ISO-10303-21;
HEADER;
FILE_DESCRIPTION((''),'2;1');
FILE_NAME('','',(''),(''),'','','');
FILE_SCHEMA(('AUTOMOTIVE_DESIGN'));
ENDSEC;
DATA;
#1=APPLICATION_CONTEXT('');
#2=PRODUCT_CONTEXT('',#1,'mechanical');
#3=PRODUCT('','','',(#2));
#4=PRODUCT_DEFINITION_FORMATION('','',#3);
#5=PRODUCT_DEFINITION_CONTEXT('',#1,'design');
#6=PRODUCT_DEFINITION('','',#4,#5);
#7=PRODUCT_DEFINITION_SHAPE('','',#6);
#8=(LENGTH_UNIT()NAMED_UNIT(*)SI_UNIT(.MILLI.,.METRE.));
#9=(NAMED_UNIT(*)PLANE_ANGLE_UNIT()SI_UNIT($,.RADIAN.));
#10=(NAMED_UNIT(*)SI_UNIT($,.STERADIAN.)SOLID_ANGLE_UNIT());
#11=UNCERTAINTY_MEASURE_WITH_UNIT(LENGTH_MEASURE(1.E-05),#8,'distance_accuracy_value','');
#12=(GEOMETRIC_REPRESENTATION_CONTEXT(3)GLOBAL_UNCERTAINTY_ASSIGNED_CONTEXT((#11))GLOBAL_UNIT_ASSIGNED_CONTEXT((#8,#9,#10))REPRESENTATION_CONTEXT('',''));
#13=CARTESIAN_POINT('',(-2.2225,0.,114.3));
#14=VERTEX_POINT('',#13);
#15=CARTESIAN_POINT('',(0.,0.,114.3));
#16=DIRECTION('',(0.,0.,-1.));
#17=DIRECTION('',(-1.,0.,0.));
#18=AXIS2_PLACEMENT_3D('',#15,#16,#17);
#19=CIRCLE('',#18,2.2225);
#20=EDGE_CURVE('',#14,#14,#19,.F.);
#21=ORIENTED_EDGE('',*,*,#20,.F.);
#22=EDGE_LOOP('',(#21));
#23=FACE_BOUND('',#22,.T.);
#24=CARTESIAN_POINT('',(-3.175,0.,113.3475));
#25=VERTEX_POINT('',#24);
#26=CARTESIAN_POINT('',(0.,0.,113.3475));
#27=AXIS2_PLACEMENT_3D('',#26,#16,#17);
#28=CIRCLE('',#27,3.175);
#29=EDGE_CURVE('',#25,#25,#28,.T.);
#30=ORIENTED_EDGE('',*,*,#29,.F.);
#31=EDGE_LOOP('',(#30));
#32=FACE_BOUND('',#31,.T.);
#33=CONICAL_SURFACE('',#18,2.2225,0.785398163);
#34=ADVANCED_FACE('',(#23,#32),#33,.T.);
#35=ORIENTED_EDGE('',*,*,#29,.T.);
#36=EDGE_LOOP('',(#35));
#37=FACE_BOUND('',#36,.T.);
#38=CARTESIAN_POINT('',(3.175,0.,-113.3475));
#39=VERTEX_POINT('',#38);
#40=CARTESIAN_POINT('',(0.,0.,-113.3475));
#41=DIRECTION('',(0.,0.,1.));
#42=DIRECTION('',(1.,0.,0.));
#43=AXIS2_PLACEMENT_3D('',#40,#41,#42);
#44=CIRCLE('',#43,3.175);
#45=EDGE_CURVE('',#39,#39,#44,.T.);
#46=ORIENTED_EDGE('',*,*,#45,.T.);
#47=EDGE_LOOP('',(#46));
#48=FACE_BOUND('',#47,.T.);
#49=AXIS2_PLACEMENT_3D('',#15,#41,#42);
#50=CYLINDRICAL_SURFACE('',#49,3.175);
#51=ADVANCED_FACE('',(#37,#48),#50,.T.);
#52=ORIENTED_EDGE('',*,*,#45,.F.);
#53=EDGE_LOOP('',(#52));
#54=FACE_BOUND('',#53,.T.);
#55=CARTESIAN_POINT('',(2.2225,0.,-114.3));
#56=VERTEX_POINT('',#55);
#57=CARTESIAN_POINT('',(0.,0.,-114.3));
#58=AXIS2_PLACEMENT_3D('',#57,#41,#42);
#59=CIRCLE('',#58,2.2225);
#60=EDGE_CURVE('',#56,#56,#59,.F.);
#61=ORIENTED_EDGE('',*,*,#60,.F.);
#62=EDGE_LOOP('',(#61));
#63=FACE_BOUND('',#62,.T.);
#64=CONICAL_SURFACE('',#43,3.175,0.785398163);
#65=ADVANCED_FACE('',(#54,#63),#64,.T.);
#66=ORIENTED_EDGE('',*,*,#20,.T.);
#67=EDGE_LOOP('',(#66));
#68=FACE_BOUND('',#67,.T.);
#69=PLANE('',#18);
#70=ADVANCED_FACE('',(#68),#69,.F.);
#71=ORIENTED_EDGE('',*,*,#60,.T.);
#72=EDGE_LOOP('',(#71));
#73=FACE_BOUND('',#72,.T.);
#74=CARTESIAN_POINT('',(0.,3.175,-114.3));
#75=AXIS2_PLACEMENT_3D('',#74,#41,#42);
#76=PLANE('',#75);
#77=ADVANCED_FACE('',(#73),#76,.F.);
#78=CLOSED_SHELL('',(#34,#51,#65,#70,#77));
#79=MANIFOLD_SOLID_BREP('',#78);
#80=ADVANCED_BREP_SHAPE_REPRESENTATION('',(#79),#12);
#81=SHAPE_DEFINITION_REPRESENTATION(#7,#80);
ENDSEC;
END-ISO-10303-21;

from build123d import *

# Parameters (mm, degrees)
SKETCH2_W     = 228.6
SKETCH2_H     = 3.175
CHAMFER1_SIZE = 0.9525


with BuildPart() as part:
    # Sketch2 → Revolve1 (revolve)
    with BuildSketch(Plane(origin=(0, 0, 0), x_dir=(0, 0, -1), z_dir=(1, 0, 0))):
        with Locations((0, 1.5875)):
            Rectangle(SKETCH2_W, SKETCH2_H)
    revolve(axis=Axis((0, 0, 114.3), (0, 0, -1)))

    # Chamfer1
    chamfer1_edges = [part.edges().sort_by_distance(p)[0] for p in [
        (0, -3.175, 114.3),
        (0, -3.175, -114.3),
    ]]
    chamfer(chamfer1_edges, length=CHAMFER1_SIZE)


solid = part.part
